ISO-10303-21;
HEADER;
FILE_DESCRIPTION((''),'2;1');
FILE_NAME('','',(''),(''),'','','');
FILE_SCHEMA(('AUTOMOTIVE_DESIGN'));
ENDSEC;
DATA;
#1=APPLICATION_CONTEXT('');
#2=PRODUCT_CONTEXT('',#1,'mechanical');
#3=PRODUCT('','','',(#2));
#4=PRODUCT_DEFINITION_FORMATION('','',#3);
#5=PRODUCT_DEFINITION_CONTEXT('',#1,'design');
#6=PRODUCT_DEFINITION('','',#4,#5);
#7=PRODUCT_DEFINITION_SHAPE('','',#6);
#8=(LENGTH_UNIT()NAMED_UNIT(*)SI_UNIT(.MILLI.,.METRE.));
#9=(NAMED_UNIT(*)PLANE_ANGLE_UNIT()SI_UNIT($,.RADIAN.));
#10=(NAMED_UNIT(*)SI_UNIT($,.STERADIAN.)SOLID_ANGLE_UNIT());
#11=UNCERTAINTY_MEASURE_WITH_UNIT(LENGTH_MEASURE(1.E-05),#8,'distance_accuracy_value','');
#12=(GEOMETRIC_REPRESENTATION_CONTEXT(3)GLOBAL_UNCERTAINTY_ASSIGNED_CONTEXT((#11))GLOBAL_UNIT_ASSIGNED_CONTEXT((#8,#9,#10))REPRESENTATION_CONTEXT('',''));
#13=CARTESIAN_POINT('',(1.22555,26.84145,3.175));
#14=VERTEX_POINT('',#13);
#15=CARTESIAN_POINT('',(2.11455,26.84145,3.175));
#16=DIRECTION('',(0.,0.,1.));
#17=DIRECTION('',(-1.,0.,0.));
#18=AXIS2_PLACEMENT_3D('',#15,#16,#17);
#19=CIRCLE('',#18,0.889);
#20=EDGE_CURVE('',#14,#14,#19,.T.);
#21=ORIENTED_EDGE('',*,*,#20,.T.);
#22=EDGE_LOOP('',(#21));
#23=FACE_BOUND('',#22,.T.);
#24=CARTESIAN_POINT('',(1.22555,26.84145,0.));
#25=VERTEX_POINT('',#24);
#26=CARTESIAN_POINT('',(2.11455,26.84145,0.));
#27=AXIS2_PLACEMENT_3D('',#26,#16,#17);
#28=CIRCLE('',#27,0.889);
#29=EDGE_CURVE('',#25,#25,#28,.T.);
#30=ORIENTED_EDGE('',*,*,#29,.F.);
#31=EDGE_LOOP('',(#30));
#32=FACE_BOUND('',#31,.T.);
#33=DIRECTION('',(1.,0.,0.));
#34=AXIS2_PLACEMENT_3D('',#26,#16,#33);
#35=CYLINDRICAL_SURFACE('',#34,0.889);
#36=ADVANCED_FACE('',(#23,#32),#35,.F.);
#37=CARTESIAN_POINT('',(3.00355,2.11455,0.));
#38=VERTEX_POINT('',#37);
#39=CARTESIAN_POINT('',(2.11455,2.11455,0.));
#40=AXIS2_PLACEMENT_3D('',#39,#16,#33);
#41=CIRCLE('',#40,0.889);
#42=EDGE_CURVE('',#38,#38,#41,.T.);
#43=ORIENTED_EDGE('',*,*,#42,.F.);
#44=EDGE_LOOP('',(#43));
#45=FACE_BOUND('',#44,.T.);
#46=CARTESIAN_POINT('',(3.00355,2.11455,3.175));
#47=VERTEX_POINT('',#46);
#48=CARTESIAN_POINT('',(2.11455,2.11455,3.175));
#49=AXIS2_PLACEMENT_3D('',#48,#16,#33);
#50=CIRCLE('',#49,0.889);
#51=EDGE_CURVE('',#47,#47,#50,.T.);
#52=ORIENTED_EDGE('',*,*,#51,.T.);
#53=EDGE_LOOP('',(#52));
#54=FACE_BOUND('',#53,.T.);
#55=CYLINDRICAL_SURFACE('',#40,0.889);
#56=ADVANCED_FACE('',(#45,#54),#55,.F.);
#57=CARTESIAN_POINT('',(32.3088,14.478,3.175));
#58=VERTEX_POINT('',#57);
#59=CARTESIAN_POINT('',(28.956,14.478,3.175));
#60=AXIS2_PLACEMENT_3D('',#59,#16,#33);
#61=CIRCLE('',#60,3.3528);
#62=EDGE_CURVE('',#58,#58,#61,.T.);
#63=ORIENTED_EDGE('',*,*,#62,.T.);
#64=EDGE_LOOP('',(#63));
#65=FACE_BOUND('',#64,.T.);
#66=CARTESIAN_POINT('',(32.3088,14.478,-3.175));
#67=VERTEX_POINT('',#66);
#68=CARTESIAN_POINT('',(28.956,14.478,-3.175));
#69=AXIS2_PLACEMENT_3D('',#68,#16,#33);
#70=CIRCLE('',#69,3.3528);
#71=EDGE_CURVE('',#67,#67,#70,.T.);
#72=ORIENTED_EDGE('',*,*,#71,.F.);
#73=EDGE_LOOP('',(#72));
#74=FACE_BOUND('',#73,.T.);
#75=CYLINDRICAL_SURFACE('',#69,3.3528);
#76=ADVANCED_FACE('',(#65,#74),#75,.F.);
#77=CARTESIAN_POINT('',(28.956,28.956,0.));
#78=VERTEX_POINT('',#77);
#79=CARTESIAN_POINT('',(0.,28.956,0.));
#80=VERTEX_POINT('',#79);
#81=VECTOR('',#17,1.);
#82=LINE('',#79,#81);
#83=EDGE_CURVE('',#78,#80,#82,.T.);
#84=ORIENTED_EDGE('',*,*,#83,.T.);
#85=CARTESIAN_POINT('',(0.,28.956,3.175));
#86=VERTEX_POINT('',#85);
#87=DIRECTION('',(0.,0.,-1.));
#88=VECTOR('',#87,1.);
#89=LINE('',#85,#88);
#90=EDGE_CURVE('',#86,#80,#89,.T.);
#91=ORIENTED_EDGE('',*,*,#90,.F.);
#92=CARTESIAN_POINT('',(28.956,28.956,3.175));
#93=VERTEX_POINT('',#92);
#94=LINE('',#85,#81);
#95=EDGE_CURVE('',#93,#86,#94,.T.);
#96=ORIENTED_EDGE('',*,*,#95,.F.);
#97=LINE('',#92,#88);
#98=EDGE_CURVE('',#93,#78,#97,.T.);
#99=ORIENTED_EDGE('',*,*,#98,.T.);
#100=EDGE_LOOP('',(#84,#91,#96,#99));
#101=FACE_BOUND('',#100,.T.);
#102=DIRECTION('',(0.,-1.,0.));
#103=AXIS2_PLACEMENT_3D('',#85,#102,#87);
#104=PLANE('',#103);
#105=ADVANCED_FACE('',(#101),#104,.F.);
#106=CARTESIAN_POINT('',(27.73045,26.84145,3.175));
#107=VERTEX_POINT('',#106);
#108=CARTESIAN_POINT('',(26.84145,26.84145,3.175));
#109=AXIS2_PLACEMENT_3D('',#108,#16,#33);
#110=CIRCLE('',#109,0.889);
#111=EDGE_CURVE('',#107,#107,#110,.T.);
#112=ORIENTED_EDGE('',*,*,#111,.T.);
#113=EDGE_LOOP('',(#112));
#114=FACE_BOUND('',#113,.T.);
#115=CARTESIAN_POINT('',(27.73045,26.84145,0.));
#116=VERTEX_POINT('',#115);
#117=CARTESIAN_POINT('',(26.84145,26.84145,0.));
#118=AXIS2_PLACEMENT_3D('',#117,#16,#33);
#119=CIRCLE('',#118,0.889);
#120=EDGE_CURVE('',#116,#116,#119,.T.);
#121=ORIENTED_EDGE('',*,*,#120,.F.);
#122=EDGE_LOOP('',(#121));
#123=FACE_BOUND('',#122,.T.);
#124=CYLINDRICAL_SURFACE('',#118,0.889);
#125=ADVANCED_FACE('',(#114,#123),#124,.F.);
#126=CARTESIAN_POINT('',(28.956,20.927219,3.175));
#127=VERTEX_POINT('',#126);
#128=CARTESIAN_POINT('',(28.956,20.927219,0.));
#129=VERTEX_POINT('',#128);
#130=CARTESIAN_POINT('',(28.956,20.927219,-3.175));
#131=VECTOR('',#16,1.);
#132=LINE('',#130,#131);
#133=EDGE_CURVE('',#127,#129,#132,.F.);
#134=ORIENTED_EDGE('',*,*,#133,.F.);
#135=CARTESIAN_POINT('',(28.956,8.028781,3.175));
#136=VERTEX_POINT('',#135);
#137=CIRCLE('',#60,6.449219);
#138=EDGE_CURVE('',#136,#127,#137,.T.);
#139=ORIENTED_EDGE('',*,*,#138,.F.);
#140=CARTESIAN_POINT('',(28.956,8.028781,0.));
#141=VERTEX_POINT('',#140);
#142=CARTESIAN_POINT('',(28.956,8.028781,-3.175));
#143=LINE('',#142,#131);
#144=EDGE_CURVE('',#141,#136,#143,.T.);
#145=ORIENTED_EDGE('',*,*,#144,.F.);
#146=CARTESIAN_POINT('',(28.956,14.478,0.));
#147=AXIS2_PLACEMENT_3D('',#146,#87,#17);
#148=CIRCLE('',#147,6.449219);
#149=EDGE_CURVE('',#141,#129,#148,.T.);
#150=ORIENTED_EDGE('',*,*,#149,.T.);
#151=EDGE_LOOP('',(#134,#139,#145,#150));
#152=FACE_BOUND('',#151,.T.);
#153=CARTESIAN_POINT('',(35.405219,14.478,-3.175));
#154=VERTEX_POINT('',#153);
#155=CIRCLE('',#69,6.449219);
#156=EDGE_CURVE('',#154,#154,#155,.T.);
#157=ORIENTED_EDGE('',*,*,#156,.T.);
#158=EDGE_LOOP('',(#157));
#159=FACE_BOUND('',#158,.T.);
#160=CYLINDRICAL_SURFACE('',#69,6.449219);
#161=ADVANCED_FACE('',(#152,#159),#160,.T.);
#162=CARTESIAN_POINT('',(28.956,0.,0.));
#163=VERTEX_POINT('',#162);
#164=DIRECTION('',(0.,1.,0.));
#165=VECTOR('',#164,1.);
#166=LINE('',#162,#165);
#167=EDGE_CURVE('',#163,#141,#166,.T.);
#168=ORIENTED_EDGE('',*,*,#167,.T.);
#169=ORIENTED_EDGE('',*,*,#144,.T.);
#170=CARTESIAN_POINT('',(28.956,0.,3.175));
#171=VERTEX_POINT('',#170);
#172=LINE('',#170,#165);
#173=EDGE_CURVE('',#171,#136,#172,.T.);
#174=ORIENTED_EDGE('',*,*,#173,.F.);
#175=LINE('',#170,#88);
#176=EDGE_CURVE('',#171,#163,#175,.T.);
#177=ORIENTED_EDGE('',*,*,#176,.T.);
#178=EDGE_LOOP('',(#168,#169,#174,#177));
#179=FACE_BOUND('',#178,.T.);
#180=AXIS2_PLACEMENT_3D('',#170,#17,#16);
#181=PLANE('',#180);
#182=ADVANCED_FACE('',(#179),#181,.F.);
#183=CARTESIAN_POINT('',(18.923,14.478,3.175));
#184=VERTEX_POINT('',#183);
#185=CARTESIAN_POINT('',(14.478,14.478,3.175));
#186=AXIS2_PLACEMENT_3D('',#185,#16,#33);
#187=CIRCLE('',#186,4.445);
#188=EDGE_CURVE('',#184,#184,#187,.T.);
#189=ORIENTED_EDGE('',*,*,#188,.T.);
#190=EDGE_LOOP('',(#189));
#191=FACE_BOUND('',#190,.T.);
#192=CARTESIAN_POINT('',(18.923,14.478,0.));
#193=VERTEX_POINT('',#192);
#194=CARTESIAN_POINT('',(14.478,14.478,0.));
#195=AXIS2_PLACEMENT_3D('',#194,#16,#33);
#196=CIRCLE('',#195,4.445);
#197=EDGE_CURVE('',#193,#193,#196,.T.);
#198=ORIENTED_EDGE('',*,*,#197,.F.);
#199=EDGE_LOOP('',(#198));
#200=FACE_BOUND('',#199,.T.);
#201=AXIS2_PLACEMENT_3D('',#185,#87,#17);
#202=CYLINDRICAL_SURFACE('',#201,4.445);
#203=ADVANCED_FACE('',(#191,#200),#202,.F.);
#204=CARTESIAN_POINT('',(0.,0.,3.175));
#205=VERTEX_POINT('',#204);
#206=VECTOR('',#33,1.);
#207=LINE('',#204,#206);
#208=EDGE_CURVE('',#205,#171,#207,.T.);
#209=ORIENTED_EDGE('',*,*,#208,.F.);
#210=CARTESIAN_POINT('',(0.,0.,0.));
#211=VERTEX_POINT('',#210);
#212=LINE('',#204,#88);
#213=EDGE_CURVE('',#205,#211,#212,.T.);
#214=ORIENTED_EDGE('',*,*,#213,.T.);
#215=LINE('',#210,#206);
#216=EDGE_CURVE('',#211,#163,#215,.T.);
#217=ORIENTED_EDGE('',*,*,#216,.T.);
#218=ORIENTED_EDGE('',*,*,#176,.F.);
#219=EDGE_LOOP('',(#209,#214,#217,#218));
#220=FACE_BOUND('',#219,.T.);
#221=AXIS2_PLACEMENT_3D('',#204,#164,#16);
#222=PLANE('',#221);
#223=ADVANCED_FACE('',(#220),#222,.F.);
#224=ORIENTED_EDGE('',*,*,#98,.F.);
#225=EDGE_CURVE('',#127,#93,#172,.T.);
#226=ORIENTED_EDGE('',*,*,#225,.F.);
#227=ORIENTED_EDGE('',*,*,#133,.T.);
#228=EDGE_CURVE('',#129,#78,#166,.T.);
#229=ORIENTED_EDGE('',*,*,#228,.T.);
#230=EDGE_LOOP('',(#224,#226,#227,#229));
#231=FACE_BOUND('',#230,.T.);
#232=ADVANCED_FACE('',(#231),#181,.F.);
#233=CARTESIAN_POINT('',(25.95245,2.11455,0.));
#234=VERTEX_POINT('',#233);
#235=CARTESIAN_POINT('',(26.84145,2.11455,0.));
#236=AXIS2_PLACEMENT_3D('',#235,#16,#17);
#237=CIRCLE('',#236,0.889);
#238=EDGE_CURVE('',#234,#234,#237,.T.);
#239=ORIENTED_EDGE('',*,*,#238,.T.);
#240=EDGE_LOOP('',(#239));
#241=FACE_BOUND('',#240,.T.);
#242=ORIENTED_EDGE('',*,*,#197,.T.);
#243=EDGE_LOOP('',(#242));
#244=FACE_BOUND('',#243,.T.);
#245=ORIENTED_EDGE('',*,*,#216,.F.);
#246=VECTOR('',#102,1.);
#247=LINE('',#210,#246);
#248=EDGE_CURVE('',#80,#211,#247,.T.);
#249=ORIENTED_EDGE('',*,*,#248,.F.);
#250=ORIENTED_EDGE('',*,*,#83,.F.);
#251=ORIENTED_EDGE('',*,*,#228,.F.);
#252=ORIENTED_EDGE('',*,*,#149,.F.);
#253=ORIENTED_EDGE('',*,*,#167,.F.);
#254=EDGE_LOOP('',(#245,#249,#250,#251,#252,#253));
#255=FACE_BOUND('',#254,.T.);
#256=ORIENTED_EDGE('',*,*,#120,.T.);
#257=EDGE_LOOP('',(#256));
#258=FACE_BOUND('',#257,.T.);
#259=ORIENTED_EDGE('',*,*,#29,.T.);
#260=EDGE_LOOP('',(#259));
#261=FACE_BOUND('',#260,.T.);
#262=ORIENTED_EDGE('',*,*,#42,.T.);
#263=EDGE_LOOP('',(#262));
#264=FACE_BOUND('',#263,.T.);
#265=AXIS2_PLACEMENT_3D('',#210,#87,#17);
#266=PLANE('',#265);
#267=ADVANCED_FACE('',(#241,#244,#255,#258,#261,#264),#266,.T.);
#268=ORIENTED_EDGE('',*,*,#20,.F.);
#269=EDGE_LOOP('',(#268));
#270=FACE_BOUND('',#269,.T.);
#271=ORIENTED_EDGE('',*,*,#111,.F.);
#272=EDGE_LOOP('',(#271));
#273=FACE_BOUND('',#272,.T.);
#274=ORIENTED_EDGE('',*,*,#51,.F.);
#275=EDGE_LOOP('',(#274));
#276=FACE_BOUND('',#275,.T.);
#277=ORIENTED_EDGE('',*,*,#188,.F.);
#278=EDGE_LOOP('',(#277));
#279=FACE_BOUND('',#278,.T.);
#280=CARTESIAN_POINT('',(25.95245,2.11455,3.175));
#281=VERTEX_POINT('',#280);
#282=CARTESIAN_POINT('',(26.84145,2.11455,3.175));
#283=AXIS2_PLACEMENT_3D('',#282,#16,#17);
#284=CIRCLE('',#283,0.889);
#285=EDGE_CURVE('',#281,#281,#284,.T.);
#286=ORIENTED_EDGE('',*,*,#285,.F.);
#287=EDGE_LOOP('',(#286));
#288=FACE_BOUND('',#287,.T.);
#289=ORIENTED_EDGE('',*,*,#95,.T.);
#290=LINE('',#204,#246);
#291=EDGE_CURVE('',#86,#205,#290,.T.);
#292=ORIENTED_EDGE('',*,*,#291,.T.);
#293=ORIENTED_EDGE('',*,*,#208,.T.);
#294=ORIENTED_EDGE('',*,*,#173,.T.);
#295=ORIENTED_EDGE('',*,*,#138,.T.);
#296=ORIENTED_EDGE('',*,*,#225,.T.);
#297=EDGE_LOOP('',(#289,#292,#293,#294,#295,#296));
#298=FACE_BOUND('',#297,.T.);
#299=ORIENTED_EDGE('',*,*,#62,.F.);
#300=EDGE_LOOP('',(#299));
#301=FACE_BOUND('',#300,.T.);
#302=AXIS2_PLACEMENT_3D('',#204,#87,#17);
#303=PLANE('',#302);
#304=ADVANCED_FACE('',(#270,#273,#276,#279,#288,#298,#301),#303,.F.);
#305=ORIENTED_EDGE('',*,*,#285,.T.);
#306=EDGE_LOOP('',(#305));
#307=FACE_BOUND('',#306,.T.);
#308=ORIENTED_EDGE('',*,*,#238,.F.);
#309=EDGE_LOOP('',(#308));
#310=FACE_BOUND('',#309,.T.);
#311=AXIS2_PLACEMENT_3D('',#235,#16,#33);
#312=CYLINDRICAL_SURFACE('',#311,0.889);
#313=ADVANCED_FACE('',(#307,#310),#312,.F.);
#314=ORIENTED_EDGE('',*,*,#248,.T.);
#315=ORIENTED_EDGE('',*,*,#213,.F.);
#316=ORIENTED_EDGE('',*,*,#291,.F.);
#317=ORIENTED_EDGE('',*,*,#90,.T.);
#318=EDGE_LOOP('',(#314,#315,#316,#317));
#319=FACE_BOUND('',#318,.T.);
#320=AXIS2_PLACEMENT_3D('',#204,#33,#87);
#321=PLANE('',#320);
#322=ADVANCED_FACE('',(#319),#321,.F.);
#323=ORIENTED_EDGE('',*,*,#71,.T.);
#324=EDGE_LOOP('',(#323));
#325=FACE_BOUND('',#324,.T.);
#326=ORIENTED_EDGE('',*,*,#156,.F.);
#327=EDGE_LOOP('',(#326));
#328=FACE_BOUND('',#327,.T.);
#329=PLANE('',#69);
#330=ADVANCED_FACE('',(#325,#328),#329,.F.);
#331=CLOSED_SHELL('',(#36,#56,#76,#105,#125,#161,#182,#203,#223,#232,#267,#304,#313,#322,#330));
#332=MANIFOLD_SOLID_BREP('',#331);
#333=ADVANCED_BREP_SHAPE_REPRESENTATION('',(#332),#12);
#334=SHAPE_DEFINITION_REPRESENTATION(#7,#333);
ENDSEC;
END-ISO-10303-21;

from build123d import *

# Parameters (mm, degrees)
SKETCH1_W           = 28.956
SKETCH1_H           = 28.956
SKETCH1_R           = 4.445
BOSS_EXTRUDE1_DEPTH = 3.175
SKETCH2_R           = 0.889
CUT_EXTRUDE1_DEPTH  = 4.175
SKETCH3_R           = 6.44921875
BOSS_EXTRUDE2_DEPTH = 6.35
SKETCH4_R           = 3.3528
CUT_EXTRUDE2_DEPTH  = 7.35


with BuildPart() as part:
    # Sketch1 → Boss-Extrude1 (new body)
    with BuildSketch(Plane.XY):
        with Locations((14.478, 14.478)):
            Rectangle(SKETCH1_W, SKETCH1_H)
        with Locations((14.478, 14.478)):
            Circle(SKETCH1_R, mode=Mode.SUBTRACT)
    extrude(amount=BOSS_EXTRUDE1_DEPTH)

    # Sketch2 → Cut-Extrude1 (cut, through all)
    with BuildSketch(Plane.XY.offset(3.175)):
        with Locations((2.11455, 2.11455)):
            Circle(SKETCH2_R)
        with Locations((26.84145, 2.11455)):
            Circle(SKETCH2_R)
        with Locations((26.84145, 26.84145)):
            Circle(SKETCH2_R)
        with Locations((2.11455, 26.84145)):
            Circle(SKETCH2_R)
    extrude(amount=-CUT_EXTRUDE1_DEPTH, mode=Mode.SUBTRACT)

    # Sketch3 → Boss-Extrude2 (add)
    with BuildSketch(Plane.XY.offset(3.175)):
        with Locations((28.956, 14.478)):
            Circle(SKETCH3_R)
    extrude(amount=-BOSS_EXTRUDE2_DEPTH)

    # Sketch4 → Cut-Extrude2 (cut, through all)
    with BuildSketch(Plane.XY.offset(3.175)):
        with Locations((28.956, 14.478)):
            Circle(SKETCH4_R)
    extrude(amount=-CUT_EXTRUDE2_DEPTH, mode=Mode.SUBTRACT)


solid = part.part
